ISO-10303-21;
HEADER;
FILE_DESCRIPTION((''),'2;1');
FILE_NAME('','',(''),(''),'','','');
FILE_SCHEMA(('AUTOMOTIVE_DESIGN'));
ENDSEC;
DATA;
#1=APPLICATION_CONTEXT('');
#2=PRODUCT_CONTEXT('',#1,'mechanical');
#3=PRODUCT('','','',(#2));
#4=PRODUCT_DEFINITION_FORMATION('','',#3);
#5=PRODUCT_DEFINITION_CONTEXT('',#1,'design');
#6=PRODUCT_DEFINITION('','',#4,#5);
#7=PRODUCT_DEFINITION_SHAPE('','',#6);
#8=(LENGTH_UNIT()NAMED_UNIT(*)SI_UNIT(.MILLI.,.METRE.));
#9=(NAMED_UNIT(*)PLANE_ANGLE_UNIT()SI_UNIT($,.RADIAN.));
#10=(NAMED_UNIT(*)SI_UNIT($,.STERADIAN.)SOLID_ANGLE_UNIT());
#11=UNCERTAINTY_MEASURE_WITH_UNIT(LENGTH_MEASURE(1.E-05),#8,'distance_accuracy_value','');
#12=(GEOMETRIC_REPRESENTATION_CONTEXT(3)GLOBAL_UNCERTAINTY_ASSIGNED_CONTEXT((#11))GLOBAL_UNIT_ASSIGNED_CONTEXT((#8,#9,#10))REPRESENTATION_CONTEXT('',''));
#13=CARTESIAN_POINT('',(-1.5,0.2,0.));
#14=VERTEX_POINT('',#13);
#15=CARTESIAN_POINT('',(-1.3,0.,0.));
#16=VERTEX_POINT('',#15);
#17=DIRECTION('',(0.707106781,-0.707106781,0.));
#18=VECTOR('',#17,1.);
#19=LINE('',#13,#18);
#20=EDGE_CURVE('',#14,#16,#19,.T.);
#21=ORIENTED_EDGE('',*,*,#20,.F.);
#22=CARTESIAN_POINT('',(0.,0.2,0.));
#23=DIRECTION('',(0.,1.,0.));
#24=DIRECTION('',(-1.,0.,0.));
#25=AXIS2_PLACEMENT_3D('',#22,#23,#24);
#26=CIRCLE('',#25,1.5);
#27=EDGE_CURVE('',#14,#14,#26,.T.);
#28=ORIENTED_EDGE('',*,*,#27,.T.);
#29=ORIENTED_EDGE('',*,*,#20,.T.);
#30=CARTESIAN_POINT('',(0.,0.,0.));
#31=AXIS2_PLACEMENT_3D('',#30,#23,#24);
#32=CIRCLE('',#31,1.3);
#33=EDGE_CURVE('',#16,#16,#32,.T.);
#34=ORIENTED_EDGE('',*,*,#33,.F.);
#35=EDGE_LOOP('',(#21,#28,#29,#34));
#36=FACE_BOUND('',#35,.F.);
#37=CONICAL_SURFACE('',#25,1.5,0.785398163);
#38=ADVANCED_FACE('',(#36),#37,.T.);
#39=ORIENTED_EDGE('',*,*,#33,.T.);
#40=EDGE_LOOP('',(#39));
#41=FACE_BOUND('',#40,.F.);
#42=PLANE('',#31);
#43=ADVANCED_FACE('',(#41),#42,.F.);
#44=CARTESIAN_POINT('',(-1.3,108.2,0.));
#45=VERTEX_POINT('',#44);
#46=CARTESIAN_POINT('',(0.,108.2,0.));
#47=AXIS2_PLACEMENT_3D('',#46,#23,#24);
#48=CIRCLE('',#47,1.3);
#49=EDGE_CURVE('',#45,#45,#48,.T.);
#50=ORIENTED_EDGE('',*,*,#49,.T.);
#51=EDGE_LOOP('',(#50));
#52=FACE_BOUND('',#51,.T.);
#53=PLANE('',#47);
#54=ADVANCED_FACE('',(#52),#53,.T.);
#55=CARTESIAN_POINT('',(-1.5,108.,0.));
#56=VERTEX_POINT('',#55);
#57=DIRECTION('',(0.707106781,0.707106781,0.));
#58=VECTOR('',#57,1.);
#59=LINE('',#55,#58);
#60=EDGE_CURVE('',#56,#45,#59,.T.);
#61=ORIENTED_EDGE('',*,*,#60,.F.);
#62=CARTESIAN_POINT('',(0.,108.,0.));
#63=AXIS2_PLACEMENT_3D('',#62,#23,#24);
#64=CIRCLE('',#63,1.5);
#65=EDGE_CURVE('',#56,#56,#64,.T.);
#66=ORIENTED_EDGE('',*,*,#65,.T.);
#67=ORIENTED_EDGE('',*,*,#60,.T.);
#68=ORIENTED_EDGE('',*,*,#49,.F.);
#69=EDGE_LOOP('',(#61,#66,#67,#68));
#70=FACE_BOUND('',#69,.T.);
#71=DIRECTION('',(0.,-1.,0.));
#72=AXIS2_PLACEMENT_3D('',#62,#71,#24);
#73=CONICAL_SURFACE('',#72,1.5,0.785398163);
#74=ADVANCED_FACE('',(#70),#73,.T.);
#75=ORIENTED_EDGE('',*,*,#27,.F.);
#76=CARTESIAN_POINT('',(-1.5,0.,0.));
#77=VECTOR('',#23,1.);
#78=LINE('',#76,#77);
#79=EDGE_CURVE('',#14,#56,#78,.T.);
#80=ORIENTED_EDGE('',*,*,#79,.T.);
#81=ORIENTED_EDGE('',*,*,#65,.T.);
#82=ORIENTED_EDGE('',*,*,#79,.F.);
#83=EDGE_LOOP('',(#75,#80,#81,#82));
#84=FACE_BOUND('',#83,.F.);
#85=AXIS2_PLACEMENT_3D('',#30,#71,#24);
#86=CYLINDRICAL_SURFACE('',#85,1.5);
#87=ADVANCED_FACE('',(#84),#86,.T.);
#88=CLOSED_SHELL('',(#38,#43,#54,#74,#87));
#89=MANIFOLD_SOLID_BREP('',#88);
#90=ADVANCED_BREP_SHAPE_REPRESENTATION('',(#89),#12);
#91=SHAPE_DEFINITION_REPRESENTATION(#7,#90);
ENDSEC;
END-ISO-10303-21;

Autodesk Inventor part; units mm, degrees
ref_plane "YZ Plane" through (0, 0, 0) normal (1, 0, 0) x (0, 1, 0)
ref_plane "XZ Plane" through (0, 0, 0) normal (0, 1, 0) x (-1, 0, 0)
ref_plane "XY Plane" through (0, 0, 0) normal (0, 0, 1) x (1, 0, 0)
sketch "Skizze1" plane through (0, 0, 0) normal (0, 1, 0) x (-1, 0, 0)
  circle A0 centre (0, 0) radius 1.5
  dimension "d0" = 3
extrude "Extrusion1" add sketch "Skizze1" along normal blind 108.2
thread "Gewinde1" size "M3x0.5" class "6g" standard "ANSI Metric M Profile" full length
chamfer "Fase1" distance 0.2 angle 45 2 edges at (1.5, 108.2, 0) (1.5, 0, 0)
properties part number "Gewindestange108,2mm"
